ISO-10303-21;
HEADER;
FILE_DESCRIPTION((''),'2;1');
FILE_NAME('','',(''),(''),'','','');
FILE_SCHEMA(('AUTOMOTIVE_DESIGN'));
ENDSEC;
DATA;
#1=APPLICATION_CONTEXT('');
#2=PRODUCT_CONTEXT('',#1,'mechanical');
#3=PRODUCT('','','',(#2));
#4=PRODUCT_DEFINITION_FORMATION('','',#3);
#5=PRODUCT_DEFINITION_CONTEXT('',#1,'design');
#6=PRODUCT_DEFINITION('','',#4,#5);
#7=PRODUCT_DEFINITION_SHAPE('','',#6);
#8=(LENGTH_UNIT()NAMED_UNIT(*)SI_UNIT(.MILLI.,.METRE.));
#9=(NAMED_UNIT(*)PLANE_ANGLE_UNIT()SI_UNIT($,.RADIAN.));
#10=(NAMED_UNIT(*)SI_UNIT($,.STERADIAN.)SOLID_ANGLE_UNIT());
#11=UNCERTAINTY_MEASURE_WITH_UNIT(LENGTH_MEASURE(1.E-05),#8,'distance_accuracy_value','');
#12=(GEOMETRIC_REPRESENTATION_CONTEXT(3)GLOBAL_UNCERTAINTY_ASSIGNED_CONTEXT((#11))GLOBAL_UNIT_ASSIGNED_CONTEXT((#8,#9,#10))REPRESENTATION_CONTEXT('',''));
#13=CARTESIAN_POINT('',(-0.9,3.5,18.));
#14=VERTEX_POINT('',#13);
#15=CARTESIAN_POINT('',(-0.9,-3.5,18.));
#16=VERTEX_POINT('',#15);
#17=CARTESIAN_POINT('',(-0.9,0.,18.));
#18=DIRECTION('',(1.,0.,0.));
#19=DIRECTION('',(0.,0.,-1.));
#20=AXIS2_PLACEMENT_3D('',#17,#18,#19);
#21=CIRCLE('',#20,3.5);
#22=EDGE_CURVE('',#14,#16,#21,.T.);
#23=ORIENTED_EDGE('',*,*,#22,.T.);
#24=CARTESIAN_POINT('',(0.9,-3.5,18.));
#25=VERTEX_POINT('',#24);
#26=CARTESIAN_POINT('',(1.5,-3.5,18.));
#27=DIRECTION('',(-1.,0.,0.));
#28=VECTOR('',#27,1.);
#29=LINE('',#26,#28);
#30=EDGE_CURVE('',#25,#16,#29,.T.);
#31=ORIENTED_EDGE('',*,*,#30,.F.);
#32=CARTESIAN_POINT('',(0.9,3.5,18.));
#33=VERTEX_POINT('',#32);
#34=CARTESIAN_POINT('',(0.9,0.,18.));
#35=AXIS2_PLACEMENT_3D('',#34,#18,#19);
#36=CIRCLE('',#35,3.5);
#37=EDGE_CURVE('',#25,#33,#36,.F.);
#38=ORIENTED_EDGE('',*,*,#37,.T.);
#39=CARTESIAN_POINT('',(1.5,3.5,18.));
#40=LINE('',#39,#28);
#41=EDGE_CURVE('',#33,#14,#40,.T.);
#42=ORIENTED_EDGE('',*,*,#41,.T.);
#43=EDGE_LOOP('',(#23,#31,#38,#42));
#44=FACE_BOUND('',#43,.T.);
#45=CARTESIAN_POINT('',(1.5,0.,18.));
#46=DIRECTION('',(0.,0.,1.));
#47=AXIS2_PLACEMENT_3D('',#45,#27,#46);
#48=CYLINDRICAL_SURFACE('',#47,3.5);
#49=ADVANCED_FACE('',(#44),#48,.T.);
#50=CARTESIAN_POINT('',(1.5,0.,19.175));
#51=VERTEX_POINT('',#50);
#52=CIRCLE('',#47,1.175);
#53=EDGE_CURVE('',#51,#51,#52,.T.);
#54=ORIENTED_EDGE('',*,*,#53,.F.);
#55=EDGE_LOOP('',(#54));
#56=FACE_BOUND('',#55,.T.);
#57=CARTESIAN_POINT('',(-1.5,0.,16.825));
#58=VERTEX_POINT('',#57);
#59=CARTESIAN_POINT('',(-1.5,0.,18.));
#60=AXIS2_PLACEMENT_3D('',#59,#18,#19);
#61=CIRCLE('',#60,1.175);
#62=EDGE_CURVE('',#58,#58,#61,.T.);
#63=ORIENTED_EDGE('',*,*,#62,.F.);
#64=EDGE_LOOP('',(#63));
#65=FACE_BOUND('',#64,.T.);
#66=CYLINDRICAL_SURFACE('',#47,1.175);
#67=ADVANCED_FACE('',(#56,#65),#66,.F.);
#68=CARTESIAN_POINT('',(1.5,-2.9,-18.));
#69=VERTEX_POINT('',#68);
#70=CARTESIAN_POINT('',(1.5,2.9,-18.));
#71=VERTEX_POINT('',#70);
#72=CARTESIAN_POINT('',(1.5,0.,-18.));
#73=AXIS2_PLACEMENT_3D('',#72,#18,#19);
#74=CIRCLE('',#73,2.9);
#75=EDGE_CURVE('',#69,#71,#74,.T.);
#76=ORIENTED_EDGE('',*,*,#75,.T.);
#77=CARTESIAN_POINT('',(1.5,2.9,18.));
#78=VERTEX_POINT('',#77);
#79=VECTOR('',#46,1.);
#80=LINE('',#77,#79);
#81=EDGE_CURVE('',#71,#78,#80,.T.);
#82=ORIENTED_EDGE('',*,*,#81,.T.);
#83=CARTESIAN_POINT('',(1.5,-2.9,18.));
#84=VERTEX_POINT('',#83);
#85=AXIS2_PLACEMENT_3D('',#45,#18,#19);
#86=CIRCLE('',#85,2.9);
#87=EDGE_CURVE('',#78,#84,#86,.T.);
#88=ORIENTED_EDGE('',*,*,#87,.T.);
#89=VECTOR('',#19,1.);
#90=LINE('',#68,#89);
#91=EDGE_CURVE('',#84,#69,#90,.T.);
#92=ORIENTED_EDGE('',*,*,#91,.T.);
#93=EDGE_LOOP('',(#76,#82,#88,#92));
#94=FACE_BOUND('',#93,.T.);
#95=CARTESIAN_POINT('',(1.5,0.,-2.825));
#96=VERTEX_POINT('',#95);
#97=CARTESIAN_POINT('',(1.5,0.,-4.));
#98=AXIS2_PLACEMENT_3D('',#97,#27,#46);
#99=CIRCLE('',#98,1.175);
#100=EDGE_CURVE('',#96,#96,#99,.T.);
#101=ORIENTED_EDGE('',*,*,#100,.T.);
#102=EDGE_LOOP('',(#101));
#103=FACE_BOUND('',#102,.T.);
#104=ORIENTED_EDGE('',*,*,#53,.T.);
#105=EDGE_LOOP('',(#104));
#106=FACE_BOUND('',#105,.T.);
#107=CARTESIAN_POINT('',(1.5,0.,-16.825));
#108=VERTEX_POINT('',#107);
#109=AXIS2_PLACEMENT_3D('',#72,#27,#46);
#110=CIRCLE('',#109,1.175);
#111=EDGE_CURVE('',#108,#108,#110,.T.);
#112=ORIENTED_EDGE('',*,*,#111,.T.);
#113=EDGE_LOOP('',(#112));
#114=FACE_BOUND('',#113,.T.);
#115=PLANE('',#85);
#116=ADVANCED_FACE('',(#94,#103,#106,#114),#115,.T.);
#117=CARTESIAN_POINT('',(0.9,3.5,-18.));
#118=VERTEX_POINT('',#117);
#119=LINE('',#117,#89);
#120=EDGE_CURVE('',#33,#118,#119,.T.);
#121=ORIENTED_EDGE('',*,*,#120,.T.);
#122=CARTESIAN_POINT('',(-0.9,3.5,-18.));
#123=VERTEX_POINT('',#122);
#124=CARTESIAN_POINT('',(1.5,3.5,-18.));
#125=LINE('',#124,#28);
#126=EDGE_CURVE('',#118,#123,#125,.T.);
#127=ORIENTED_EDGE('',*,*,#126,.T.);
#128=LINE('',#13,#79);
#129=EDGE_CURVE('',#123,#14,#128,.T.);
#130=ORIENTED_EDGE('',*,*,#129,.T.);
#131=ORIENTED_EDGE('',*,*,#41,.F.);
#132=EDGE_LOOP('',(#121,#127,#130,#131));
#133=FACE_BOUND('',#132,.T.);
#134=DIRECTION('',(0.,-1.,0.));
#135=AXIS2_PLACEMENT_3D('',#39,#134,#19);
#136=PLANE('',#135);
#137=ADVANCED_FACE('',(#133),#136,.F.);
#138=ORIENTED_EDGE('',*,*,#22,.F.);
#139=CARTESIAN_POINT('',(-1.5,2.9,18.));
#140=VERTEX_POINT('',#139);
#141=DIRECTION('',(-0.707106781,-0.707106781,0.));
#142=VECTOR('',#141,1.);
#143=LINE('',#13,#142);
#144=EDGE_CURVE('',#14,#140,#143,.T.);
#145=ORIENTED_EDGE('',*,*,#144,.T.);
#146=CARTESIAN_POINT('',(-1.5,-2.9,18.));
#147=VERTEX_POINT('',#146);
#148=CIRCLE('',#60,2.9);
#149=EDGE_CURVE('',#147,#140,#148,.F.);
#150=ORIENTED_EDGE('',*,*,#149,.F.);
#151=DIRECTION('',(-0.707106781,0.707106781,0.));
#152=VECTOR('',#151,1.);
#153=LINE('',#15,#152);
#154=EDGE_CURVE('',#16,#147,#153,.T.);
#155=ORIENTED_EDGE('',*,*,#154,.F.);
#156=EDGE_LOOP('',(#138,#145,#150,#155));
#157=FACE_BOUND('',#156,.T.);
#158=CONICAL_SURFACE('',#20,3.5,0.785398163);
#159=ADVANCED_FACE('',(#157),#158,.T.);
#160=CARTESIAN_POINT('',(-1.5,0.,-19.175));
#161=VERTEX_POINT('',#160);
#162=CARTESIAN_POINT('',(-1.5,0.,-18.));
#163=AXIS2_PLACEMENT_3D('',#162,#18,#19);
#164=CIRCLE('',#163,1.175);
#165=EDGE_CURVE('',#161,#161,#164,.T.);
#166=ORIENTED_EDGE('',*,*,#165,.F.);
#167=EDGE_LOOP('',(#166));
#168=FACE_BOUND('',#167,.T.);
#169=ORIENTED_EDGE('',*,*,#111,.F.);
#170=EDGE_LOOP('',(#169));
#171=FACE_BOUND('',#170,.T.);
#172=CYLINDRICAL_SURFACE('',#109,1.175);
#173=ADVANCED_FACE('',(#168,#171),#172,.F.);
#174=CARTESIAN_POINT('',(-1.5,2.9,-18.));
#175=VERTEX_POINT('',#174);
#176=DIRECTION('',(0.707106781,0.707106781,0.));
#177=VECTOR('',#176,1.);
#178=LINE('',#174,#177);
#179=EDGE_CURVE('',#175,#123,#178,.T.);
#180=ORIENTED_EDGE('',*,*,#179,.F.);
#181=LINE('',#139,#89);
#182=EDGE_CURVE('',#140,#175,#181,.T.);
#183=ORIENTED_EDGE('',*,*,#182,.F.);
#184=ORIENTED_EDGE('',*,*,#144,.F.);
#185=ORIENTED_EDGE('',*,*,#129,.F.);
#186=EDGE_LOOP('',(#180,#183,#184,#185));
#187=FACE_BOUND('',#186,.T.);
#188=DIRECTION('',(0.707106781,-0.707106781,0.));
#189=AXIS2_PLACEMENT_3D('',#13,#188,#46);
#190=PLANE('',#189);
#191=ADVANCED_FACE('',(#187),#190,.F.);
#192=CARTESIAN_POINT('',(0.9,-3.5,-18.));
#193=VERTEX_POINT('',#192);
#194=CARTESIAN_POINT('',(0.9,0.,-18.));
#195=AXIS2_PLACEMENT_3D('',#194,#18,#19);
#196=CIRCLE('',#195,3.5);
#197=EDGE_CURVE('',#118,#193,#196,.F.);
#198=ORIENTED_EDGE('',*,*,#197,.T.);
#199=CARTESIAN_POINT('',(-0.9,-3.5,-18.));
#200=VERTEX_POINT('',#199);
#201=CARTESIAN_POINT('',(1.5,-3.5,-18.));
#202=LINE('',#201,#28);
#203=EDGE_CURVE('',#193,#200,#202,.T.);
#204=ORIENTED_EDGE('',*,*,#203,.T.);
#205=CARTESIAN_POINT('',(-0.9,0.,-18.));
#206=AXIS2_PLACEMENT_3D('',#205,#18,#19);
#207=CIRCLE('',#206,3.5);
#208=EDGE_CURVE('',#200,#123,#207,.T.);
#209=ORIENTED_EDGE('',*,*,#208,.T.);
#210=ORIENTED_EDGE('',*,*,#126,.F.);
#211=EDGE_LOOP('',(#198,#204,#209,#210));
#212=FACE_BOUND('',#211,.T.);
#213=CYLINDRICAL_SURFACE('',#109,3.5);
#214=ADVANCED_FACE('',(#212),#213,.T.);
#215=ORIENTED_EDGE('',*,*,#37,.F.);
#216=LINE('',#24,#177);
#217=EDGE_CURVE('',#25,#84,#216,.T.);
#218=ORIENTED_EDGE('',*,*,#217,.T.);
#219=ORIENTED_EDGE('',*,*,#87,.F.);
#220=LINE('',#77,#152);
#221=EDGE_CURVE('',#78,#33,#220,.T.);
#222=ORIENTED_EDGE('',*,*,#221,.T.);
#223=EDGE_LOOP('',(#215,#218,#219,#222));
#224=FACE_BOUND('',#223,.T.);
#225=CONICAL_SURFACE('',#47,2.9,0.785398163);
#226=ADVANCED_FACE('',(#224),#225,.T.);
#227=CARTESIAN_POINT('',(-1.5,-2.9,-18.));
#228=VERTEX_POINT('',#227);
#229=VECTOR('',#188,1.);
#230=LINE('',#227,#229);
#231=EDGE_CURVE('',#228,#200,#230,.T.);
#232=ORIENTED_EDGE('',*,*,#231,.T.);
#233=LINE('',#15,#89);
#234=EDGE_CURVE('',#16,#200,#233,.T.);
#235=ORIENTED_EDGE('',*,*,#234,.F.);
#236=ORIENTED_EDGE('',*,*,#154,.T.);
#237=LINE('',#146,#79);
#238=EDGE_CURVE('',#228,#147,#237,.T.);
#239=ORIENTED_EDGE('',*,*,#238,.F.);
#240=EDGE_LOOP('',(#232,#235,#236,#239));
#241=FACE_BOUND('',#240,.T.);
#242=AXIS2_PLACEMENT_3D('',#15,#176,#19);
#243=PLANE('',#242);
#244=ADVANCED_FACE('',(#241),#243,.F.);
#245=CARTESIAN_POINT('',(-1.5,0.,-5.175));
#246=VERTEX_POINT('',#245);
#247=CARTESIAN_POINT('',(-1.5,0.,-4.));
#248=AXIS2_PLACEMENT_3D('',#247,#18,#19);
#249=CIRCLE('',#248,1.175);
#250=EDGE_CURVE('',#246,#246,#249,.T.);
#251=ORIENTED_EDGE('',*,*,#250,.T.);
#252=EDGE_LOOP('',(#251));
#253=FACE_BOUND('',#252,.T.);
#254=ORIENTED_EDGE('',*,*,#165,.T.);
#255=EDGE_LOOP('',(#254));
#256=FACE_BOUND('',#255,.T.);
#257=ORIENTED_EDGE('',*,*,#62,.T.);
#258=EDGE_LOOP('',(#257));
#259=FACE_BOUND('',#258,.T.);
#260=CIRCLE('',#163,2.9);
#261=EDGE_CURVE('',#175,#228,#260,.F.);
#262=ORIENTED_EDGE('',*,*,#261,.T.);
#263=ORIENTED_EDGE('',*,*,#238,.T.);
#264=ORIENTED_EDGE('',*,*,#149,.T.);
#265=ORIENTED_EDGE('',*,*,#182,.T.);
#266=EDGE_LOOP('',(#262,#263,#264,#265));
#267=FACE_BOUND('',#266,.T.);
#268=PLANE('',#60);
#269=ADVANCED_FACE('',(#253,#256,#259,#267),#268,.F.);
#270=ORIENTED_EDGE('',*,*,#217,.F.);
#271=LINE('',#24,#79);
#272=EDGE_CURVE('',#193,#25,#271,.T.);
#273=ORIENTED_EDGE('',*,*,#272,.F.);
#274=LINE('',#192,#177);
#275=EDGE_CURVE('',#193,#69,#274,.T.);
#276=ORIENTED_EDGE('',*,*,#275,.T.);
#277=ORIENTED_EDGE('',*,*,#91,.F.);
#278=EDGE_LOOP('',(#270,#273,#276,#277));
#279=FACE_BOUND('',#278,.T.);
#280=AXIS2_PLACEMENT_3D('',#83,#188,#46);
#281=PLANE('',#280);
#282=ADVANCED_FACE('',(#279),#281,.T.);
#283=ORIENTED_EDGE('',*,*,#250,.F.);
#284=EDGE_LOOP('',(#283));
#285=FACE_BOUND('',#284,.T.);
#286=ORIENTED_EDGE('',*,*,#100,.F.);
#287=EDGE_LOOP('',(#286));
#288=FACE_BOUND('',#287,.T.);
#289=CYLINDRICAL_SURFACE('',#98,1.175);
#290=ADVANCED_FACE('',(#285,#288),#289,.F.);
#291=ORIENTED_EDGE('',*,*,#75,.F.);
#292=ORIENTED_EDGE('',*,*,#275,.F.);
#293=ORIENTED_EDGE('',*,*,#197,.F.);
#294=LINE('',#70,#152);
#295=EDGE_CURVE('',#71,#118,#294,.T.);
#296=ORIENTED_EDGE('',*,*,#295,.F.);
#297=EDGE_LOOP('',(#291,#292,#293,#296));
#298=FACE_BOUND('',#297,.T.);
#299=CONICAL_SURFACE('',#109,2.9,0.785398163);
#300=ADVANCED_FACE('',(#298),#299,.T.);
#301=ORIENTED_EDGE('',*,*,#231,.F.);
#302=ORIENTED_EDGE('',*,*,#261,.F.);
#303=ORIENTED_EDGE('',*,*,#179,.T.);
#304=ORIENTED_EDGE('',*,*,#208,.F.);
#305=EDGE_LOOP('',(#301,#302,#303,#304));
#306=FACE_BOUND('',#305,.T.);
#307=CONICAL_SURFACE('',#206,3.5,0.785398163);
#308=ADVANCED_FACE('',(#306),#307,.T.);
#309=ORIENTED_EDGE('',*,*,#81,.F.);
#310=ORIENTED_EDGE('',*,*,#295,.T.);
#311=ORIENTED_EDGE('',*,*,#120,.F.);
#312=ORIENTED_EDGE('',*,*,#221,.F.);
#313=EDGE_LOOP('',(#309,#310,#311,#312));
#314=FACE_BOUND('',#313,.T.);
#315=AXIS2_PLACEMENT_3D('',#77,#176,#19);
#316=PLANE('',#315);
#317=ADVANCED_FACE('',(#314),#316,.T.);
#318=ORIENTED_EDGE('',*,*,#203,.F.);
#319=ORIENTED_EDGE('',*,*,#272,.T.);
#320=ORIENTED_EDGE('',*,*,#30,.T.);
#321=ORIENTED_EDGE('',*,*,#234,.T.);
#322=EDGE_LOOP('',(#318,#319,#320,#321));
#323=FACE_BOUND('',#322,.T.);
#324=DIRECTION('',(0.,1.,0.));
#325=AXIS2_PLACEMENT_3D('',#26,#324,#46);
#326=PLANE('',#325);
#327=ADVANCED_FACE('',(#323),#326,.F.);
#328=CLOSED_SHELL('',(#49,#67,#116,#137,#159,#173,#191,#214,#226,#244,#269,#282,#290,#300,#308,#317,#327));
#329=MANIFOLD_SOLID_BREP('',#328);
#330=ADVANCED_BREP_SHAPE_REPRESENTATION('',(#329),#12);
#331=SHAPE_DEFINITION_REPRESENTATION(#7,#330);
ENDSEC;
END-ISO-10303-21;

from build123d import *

# Parameters (mm, degrees)
SKETCH_1_R               = 0.85
EXTRUDE_1_DEPTH          = 1.5
SKETCH_3_R               = 1.175
CUT_EXTRUDE_2_DEPTH      = 1
CUT_EXTRUDE_2_DEPTH_BACK = 4
CHAMFER_1_SIZE           = 0.6


with BuildPart() as part:
    # 草图1 → 凸台-拉伸1 (new body, symmetric)
    with BuildSketch(Plane(origin=(0, 0, 0), x_dir=(0, 0, -1), z_dir=(1, 0, 0))):
        with BuildLine():
            Line((-18, 3.5), (18, 3.5))
            ThreePointArc((18, 3.5), (21.5, 0), (18, -3.5))
            Line((18, -3.5), (-18, -3.5))
            ThreePointArc((-18, -3.5), (-21.5, 0), (-18, 3.5))
        make_face()
        with Locations((18, 0)):
            Circle(SKETCH_1_R, mode=Mode.SUBTRACT)
        with Locations((4, 0)):
            Circle(SKETCH_1_R, mode=Mode.SUBTRACT)
        with Locations((-18, 0)):
            Circle(SKETCH_1_R, mode=Mode.SUBTRACT)
    extrude(amount=EXTRUDE_1_DEPTH, both=True)

    # 草图3 → 切除-拉伸2 (cut, two sides)
    with BuildSketch(Plane.ZY.offset(1.5)) as cut_extrude_2_sk:
        with Locations((-18, 0)):
            Circle(SKETCH_3_R)
        with Locations((-4, 0)):
            Circle(SKETCH_3_R)
        with Locations((18, 0)):
            Circle(SKETCH_3_R)
    extrude(amount=CUT_EXTRUDE_2_DEPTH, mode=Mode.SUBTRACT)
    extrude(cut_extrude_2_sk.sketch, amount=-CUT_EXTRUDE_2_DEPTH_BACK, mode=Mode.SUBTRACT)

    # 倒角1
    chamfer_1_edges = [part.edges().sort_by_distance(p)[0] for p in [
        (1.5, 0, -21.5),
        (1.5, 3.5, 0),
        (1.5, 0, 21.5),
        (-1.5, 3.5, 0),
        (-1.5, 0, -21.5),
        (-1.5, -3.5, 0),
        (-1.5, 0, 21.5),
        (1.5, -3.5, 0),
    ]]
    chamfer(chamfer_1_edges, length=CHAMFER_1_SIZE)


solid = part.part
